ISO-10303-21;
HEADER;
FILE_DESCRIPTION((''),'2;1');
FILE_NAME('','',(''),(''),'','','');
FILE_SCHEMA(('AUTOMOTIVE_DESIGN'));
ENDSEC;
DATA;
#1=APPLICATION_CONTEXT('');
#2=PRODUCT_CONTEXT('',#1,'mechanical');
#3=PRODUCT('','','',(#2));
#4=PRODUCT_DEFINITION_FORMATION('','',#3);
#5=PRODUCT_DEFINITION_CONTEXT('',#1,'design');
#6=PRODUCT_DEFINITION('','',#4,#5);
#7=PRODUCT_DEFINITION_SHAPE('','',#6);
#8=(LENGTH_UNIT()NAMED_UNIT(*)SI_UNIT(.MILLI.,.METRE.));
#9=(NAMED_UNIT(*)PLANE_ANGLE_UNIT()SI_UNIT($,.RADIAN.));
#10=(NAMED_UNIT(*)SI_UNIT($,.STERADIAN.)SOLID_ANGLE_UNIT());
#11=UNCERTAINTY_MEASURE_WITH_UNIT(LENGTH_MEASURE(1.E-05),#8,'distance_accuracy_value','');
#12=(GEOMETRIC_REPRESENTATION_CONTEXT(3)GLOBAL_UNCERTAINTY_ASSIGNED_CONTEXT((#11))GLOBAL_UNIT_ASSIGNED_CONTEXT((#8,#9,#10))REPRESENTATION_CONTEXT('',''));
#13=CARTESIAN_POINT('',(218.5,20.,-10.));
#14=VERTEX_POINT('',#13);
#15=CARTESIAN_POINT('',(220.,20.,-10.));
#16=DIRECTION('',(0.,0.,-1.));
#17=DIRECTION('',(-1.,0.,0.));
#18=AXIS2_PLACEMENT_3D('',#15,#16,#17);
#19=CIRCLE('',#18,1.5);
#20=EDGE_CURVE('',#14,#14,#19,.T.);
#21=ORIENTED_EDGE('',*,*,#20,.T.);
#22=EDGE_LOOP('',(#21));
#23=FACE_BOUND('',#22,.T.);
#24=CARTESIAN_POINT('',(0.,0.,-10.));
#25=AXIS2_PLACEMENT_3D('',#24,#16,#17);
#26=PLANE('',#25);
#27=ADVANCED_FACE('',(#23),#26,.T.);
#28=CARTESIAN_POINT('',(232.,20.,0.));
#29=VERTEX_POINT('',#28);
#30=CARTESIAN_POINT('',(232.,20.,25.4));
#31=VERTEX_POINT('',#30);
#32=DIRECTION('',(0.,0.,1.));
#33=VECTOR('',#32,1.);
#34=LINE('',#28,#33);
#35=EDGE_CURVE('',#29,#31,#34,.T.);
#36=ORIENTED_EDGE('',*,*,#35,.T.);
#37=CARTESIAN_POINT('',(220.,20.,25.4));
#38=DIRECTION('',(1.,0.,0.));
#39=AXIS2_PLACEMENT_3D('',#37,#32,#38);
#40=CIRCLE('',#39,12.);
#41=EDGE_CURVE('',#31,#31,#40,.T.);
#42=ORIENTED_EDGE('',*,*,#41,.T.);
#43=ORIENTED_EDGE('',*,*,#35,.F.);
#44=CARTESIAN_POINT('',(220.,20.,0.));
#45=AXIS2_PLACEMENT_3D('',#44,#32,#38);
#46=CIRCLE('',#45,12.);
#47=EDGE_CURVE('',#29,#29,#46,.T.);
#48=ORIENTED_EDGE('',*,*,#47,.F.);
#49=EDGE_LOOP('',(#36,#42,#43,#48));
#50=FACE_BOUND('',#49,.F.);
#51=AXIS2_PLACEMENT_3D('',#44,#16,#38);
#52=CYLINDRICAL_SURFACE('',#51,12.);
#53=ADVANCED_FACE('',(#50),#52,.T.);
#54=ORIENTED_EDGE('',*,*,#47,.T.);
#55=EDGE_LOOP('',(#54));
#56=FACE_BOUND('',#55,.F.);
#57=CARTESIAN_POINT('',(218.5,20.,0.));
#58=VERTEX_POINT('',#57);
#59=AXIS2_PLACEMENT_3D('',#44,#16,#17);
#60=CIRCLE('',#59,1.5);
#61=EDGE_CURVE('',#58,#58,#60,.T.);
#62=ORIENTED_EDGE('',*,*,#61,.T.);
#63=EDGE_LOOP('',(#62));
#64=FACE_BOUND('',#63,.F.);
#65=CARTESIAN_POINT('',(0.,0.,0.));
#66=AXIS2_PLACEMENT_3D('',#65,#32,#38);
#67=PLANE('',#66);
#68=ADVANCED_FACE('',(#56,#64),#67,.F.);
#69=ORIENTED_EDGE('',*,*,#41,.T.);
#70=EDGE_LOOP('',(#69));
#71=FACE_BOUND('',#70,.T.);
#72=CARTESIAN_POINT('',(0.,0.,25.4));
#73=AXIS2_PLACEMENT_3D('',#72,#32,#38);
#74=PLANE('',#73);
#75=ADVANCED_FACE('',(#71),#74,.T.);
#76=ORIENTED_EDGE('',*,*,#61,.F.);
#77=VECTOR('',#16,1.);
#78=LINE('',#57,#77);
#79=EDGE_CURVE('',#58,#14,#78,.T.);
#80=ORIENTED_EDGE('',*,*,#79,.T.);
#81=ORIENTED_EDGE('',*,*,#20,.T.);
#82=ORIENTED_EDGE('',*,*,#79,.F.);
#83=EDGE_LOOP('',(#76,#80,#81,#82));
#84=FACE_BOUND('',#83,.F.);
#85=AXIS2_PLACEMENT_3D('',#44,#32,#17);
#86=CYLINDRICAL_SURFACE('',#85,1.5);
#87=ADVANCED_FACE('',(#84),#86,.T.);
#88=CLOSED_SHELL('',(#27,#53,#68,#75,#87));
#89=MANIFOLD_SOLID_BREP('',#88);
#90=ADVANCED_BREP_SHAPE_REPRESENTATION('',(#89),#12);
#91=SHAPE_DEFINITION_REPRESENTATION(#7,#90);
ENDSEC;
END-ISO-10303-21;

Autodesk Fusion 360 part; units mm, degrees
sketch "Sketch1" plane through (0, 0, 0) normal (0, 0, 1) x (1, 0, 0)
  circle A0 centre (220, 20) radius 12
  dimension "d31_1" = 24
extrude "Extrude1" add sketch "Sketch1" along normal blind 25.4
sketch "Sketch2" plane through (0, 0, 0) normal (0, 0, -1) x (-1, 0, 0)
  circle A0 centre (-220, 20) radius 12
  circle A1 centre (-220, 20) radius 1.5
  dimension "d34_1" = 3
extrude "Extrude2" add sketch "Sketch2" along normal blind 10 contours A1
